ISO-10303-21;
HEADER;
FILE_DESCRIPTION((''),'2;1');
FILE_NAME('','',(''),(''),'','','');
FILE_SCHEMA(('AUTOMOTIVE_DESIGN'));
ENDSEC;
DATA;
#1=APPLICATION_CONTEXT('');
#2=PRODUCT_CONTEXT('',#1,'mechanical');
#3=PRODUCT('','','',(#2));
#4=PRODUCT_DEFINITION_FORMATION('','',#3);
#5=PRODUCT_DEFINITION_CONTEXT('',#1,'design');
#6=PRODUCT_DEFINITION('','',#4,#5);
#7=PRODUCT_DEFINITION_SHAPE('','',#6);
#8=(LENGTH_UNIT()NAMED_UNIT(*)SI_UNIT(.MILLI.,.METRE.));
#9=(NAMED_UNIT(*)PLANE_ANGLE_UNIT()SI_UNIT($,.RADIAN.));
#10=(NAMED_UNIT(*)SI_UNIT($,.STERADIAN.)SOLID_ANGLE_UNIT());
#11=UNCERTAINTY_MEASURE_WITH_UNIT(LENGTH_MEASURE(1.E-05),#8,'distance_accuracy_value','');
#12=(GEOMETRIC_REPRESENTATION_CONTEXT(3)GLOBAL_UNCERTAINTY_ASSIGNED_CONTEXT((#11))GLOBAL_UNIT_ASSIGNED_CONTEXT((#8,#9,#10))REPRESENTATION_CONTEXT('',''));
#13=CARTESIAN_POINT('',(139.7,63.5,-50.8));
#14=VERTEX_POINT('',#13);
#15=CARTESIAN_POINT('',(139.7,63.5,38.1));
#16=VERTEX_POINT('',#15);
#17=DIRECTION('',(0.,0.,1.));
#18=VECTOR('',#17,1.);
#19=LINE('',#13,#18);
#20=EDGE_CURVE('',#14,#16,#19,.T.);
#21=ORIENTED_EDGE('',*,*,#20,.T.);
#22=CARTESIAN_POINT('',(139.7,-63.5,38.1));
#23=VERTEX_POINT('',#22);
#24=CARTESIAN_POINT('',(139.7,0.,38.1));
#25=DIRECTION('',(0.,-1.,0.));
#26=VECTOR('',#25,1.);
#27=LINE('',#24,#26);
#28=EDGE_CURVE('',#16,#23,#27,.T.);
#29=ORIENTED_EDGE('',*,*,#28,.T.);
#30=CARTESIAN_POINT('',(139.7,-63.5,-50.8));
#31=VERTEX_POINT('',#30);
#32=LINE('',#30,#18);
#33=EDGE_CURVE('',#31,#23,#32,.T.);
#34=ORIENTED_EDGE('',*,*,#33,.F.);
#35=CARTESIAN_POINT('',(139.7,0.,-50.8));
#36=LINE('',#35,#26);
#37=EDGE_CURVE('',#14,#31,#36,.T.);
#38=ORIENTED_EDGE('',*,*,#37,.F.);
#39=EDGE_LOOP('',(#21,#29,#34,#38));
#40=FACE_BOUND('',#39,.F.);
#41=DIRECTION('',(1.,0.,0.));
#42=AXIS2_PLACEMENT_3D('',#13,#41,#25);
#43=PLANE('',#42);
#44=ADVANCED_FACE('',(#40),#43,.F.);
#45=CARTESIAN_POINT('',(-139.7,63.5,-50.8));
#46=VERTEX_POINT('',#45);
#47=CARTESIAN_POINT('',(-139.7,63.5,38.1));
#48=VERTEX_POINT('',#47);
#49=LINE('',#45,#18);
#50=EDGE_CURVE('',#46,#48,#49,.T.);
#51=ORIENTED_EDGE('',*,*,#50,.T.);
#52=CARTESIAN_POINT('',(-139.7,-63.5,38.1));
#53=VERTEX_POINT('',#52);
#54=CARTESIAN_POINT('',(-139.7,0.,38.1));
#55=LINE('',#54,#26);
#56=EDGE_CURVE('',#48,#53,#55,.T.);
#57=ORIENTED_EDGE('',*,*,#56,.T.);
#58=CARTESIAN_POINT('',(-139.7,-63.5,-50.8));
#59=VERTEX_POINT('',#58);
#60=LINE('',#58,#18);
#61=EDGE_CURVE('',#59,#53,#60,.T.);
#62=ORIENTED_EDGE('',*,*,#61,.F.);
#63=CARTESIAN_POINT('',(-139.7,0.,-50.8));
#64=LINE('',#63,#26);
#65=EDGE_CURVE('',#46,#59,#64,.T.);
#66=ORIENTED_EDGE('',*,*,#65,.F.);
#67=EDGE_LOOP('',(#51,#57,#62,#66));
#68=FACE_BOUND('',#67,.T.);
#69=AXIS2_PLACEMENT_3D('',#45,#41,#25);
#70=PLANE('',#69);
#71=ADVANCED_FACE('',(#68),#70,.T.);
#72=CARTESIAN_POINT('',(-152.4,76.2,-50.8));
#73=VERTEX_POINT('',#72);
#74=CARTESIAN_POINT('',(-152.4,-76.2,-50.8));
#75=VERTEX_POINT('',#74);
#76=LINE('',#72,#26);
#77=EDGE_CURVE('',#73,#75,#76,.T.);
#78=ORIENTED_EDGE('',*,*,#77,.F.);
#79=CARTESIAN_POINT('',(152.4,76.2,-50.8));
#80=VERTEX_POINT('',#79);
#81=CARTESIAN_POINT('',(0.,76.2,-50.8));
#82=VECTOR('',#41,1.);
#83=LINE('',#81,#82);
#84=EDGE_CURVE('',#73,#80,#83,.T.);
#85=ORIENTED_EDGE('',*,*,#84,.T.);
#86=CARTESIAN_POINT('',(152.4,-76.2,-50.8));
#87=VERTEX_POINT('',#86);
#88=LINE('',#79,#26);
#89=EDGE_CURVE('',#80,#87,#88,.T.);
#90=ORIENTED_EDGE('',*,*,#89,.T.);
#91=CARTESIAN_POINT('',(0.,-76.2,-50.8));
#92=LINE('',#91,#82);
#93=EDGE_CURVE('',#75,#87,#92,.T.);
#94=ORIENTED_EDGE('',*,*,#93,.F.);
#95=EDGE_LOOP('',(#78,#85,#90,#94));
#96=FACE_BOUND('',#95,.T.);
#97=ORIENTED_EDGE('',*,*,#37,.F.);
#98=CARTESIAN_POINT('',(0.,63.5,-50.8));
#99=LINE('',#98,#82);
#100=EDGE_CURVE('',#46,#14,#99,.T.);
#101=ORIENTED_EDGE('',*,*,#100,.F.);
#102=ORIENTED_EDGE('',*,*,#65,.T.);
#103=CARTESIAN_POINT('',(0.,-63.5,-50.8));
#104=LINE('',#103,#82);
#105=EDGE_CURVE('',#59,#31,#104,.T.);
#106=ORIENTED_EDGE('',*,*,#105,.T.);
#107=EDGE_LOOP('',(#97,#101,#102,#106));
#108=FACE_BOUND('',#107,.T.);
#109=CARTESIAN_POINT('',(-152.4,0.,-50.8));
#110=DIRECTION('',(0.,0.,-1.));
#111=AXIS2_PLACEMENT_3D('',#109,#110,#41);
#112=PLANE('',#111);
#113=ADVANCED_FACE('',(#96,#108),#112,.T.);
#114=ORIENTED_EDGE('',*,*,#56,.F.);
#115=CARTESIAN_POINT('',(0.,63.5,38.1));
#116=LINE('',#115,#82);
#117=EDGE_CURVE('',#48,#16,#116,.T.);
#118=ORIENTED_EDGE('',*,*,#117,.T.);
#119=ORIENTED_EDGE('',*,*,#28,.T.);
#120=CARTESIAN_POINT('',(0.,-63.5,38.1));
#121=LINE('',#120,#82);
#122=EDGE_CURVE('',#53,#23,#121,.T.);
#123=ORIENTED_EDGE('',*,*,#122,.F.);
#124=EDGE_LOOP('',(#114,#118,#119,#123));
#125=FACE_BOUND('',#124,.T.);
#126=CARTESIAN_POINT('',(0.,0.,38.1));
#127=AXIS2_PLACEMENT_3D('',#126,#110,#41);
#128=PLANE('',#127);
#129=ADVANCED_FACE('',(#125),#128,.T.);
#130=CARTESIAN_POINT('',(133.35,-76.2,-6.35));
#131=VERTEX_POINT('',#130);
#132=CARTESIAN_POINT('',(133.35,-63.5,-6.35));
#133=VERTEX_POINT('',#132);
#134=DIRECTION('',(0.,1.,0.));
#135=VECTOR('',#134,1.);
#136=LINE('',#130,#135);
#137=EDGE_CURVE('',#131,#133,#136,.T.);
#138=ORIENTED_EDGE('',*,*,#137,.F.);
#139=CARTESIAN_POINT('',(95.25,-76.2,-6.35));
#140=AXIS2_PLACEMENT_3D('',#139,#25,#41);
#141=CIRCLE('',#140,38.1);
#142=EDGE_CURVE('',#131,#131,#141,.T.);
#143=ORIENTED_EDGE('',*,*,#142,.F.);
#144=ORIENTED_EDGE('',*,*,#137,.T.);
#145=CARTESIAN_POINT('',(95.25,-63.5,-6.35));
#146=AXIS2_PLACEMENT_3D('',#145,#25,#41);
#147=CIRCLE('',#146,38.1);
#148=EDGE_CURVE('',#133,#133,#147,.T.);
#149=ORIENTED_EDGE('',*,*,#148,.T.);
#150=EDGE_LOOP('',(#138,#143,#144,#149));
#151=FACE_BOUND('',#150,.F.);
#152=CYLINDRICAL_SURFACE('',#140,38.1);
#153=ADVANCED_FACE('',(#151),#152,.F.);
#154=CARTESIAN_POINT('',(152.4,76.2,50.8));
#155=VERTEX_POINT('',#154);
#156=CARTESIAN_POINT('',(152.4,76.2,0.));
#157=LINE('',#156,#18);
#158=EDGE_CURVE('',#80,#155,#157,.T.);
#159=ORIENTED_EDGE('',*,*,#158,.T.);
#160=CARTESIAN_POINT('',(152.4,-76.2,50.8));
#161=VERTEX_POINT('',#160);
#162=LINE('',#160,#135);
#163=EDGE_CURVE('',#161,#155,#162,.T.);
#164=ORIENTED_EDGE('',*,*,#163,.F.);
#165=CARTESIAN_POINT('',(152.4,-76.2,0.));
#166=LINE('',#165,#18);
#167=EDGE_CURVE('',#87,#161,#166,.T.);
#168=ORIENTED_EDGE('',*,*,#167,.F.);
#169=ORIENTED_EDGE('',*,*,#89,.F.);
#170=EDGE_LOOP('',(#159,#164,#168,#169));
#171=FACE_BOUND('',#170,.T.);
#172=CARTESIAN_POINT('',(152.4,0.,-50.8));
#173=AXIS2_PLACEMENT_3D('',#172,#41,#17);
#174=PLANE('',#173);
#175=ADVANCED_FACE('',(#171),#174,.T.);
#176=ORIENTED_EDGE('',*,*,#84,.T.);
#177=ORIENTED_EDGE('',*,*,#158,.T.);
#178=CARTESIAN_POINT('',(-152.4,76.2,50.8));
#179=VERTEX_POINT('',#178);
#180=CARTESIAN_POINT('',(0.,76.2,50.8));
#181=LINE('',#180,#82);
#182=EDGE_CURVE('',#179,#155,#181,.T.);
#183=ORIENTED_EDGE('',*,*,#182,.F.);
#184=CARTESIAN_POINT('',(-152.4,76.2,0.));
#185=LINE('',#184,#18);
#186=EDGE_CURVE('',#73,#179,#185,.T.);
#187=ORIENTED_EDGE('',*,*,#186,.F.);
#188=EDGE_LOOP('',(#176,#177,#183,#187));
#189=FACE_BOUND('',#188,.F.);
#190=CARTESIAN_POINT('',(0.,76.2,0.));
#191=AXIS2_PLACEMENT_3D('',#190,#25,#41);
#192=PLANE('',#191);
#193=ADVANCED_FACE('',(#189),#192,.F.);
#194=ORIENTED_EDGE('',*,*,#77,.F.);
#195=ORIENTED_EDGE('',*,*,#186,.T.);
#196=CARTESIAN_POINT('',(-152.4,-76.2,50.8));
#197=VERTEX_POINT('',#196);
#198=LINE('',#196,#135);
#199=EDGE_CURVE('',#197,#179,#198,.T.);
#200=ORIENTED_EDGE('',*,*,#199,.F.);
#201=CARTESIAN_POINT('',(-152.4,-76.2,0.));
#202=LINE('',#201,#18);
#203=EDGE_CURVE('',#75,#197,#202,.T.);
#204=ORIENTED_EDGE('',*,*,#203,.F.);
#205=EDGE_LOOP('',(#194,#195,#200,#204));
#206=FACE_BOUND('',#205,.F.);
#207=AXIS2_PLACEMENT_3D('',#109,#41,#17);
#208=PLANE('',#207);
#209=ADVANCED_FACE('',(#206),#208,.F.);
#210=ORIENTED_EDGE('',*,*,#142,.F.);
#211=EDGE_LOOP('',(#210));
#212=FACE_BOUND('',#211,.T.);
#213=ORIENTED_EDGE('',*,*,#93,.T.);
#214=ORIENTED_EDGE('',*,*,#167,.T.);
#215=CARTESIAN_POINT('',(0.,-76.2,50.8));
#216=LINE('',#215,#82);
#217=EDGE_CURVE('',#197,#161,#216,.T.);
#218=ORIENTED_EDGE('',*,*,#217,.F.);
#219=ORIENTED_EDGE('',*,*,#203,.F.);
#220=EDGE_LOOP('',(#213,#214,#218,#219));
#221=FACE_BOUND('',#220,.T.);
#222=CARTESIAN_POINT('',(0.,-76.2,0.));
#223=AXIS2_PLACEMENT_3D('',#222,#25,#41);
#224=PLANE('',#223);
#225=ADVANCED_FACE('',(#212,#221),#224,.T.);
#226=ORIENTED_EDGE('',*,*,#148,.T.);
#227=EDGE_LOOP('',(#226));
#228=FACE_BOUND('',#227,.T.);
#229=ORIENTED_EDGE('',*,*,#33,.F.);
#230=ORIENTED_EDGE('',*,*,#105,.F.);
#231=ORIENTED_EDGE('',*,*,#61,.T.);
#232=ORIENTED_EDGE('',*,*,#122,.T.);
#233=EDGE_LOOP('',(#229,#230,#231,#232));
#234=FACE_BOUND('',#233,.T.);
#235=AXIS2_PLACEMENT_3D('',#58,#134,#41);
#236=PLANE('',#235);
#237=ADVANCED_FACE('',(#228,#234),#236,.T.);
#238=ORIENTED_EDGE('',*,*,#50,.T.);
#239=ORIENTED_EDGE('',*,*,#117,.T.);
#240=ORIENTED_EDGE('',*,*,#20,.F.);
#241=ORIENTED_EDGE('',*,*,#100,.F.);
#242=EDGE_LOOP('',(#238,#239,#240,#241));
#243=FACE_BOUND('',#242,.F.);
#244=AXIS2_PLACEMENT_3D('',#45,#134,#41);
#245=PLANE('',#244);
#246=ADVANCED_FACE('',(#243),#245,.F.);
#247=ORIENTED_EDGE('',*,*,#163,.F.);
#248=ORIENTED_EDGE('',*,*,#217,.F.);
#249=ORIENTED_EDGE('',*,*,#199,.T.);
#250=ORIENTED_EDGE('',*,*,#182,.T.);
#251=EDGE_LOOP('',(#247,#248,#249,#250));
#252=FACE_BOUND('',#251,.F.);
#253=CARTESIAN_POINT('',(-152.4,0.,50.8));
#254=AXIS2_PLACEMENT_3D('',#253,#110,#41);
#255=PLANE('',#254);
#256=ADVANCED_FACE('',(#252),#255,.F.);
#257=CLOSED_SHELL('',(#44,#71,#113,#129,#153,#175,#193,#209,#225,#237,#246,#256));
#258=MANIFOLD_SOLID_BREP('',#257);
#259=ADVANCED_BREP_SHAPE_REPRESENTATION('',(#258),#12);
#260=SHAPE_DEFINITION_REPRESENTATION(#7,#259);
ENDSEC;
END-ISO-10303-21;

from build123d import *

# Parameters (mm, degrees)
F0_W     = 304.8
F0_H     = 101.6
F1_DEPTH = 76.2
F2_W     = 279.4
F2_H     = 127
F3_DEPTH = 88.9
F4_R     = 38.1
F5_DEPTH = 12.7


with BuildPart() as f1:
    # F0 (on Front) → F1 (new body, symmetric)
    with BuildSketch(Plane.XZ):
        Rectangle(F0_W, F0_H)
    extrude(amount=F1_DEPTH, both=True)

    # F2 (on face) → F3 (cut)
    with BuildSketch(Plane(origin=(0, 0, -50.8), x_dir=(1, 0, 0), z_dir=(0, 0, -1))):
        Rectangle(F2_W, F2_H)
    extrude(amount=-F3_DEPTH, mode=Mode.SUBTRACT)

    # F4 (on face) → F5 (cut)
    with BuildSketch(Plane.XZ.offset(76.2)):
        with Locations((95.25, -6.35)):
            Circle(F4_R)
    extrude(amount=-F5_DEPTH, mode=Mode.SUBTRACT)


solid = f1.part
